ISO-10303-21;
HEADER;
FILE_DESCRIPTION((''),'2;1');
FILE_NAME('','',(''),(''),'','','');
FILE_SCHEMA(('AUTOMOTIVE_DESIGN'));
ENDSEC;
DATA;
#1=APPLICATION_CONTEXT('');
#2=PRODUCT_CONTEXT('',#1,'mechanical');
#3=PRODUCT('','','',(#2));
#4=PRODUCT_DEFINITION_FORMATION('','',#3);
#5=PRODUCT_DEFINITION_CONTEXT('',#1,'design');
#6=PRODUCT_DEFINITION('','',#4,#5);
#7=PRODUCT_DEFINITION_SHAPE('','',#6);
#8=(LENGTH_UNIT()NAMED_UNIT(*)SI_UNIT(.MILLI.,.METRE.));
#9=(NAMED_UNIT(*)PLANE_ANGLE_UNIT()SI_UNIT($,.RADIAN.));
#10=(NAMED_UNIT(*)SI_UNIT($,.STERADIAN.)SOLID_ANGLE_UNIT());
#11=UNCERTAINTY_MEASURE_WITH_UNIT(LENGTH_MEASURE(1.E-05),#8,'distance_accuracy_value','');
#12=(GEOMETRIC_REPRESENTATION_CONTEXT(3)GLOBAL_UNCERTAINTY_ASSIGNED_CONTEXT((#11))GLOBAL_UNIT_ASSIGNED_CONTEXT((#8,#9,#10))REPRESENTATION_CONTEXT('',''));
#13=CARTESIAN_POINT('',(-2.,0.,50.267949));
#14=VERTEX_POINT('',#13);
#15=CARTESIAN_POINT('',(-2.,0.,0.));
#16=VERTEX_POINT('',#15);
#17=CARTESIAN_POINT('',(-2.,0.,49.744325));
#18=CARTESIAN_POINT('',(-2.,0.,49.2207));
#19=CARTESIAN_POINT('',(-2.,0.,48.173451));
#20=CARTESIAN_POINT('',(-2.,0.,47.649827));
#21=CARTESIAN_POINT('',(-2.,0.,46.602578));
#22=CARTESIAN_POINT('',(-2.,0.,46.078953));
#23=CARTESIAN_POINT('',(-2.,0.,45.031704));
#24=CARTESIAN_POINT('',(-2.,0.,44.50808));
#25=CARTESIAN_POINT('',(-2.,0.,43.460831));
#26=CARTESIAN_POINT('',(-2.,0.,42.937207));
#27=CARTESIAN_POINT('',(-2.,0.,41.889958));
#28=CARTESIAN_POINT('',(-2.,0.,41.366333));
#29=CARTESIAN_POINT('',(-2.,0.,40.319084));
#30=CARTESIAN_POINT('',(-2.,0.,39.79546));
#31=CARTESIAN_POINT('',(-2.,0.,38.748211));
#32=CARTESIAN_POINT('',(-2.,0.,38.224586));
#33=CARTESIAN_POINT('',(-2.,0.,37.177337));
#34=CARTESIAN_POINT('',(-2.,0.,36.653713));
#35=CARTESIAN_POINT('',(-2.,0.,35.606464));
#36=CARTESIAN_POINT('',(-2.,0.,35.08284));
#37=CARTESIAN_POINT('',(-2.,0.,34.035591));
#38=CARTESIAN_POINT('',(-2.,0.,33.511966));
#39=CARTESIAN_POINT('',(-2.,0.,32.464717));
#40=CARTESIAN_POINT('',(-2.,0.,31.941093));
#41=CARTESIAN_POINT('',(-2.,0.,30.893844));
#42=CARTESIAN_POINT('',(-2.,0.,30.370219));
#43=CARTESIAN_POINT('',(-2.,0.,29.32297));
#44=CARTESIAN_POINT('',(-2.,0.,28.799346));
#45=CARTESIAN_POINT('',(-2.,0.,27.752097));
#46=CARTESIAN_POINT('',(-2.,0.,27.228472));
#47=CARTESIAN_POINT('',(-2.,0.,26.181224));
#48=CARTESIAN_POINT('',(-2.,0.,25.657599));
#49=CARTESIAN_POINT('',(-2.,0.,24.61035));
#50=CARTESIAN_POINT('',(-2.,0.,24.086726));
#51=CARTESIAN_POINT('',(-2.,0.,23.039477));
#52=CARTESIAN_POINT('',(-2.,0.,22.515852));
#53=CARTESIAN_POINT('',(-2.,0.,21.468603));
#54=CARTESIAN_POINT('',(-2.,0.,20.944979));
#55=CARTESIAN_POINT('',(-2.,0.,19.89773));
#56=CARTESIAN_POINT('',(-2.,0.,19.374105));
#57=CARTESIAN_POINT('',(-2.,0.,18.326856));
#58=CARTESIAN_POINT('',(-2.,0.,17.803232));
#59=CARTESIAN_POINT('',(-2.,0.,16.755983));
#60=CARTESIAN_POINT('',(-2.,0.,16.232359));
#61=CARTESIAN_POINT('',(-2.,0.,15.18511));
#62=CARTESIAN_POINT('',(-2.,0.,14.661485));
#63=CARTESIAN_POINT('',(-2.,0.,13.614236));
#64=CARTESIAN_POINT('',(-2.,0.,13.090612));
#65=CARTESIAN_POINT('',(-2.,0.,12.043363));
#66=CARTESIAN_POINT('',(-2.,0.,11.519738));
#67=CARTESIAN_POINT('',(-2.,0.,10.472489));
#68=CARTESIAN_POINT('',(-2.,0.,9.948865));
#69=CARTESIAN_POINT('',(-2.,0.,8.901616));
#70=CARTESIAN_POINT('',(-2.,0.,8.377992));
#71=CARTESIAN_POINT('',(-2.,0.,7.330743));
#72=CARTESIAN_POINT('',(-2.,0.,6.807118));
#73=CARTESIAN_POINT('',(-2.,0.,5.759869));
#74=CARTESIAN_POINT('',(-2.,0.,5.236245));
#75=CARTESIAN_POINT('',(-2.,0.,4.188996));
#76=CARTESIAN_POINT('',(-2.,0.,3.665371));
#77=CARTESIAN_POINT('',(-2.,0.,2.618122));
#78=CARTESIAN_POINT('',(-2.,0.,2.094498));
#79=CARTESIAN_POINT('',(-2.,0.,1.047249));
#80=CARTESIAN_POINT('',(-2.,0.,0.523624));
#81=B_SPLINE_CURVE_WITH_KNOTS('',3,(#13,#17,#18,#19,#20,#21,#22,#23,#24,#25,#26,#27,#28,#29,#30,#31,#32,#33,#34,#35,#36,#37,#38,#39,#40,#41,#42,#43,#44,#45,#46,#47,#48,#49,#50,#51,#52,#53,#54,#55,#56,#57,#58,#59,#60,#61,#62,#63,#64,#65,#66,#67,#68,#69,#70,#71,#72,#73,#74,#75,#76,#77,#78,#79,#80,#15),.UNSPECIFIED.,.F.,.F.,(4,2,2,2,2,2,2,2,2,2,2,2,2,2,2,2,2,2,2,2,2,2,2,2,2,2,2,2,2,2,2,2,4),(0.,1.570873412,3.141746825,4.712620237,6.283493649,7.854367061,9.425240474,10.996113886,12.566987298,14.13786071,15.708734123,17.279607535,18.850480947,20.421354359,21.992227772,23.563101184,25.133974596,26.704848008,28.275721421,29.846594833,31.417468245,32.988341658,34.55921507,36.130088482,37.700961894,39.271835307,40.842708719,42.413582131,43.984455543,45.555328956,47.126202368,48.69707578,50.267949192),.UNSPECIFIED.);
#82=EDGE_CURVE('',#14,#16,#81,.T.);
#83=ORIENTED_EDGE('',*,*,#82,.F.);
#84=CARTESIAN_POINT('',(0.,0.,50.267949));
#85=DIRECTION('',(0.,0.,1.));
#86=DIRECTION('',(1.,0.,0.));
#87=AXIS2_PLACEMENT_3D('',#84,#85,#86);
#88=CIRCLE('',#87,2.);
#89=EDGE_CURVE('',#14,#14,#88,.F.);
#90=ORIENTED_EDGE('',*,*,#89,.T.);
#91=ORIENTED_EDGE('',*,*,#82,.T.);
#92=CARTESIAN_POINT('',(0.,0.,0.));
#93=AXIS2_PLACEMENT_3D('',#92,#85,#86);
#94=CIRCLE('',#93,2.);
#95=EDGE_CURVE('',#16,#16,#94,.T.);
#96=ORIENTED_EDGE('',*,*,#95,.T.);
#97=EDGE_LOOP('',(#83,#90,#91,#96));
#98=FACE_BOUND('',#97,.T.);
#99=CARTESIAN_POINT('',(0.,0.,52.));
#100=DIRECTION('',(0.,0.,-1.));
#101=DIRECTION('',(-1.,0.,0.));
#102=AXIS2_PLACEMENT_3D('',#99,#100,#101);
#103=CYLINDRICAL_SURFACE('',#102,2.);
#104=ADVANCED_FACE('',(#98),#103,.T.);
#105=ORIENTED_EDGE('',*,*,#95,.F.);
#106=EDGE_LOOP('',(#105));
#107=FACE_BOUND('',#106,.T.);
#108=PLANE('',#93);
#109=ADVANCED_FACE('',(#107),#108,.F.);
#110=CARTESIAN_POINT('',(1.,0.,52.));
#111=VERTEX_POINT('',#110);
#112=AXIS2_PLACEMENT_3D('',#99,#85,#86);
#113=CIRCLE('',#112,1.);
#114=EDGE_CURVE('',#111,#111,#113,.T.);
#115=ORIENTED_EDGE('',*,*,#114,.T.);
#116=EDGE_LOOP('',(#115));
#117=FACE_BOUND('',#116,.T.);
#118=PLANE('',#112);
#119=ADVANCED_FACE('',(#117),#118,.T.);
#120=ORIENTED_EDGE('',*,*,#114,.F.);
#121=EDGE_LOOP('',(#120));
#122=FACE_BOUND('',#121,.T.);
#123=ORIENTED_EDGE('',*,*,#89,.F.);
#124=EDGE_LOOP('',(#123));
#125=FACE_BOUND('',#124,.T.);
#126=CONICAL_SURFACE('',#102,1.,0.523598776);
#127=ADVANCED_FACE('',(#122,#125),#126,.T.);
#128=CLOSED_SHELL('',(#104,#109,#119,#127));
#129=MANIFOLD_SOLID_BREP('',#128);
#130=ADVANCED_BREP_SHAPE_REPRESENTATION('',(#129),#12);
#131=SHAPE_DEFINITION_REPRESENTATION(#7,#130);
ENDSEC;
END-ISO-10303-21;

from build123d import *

# Parameters (mm, degrees)
SKETCH1_R           = 2
BOSS_EXTRUDE1_DEPTH = 52
CHAMFER3_SIZE       = 1
CHAMFER3_SIZE2      = 1.732050808


with BuildPart() as part:
    # Sketch1 → Boss-Extrude1 (new body)
    with BuildSketch(Plane.XY):
        Circle(SKETCH1_R)
    extrude(amount=BOSS_EXTRUDE1_DEPTH)

    # Chamfer3
    chamfer3_edges = [part.edges().sort_by_distance(p)[0] for p in [
        (-2, 0, 52),
    ]]
    chamfer3_side = [part.faces().sort_by_distance(p)[0] for p in [
        (0, 0, 52),
    ]]
    chamfer(chamfer3_edges, length=CHAMFER3_SIZE, length2=CHAMFER3_SIZE2, reference=chamfer3_side[0])


solid = part.part
